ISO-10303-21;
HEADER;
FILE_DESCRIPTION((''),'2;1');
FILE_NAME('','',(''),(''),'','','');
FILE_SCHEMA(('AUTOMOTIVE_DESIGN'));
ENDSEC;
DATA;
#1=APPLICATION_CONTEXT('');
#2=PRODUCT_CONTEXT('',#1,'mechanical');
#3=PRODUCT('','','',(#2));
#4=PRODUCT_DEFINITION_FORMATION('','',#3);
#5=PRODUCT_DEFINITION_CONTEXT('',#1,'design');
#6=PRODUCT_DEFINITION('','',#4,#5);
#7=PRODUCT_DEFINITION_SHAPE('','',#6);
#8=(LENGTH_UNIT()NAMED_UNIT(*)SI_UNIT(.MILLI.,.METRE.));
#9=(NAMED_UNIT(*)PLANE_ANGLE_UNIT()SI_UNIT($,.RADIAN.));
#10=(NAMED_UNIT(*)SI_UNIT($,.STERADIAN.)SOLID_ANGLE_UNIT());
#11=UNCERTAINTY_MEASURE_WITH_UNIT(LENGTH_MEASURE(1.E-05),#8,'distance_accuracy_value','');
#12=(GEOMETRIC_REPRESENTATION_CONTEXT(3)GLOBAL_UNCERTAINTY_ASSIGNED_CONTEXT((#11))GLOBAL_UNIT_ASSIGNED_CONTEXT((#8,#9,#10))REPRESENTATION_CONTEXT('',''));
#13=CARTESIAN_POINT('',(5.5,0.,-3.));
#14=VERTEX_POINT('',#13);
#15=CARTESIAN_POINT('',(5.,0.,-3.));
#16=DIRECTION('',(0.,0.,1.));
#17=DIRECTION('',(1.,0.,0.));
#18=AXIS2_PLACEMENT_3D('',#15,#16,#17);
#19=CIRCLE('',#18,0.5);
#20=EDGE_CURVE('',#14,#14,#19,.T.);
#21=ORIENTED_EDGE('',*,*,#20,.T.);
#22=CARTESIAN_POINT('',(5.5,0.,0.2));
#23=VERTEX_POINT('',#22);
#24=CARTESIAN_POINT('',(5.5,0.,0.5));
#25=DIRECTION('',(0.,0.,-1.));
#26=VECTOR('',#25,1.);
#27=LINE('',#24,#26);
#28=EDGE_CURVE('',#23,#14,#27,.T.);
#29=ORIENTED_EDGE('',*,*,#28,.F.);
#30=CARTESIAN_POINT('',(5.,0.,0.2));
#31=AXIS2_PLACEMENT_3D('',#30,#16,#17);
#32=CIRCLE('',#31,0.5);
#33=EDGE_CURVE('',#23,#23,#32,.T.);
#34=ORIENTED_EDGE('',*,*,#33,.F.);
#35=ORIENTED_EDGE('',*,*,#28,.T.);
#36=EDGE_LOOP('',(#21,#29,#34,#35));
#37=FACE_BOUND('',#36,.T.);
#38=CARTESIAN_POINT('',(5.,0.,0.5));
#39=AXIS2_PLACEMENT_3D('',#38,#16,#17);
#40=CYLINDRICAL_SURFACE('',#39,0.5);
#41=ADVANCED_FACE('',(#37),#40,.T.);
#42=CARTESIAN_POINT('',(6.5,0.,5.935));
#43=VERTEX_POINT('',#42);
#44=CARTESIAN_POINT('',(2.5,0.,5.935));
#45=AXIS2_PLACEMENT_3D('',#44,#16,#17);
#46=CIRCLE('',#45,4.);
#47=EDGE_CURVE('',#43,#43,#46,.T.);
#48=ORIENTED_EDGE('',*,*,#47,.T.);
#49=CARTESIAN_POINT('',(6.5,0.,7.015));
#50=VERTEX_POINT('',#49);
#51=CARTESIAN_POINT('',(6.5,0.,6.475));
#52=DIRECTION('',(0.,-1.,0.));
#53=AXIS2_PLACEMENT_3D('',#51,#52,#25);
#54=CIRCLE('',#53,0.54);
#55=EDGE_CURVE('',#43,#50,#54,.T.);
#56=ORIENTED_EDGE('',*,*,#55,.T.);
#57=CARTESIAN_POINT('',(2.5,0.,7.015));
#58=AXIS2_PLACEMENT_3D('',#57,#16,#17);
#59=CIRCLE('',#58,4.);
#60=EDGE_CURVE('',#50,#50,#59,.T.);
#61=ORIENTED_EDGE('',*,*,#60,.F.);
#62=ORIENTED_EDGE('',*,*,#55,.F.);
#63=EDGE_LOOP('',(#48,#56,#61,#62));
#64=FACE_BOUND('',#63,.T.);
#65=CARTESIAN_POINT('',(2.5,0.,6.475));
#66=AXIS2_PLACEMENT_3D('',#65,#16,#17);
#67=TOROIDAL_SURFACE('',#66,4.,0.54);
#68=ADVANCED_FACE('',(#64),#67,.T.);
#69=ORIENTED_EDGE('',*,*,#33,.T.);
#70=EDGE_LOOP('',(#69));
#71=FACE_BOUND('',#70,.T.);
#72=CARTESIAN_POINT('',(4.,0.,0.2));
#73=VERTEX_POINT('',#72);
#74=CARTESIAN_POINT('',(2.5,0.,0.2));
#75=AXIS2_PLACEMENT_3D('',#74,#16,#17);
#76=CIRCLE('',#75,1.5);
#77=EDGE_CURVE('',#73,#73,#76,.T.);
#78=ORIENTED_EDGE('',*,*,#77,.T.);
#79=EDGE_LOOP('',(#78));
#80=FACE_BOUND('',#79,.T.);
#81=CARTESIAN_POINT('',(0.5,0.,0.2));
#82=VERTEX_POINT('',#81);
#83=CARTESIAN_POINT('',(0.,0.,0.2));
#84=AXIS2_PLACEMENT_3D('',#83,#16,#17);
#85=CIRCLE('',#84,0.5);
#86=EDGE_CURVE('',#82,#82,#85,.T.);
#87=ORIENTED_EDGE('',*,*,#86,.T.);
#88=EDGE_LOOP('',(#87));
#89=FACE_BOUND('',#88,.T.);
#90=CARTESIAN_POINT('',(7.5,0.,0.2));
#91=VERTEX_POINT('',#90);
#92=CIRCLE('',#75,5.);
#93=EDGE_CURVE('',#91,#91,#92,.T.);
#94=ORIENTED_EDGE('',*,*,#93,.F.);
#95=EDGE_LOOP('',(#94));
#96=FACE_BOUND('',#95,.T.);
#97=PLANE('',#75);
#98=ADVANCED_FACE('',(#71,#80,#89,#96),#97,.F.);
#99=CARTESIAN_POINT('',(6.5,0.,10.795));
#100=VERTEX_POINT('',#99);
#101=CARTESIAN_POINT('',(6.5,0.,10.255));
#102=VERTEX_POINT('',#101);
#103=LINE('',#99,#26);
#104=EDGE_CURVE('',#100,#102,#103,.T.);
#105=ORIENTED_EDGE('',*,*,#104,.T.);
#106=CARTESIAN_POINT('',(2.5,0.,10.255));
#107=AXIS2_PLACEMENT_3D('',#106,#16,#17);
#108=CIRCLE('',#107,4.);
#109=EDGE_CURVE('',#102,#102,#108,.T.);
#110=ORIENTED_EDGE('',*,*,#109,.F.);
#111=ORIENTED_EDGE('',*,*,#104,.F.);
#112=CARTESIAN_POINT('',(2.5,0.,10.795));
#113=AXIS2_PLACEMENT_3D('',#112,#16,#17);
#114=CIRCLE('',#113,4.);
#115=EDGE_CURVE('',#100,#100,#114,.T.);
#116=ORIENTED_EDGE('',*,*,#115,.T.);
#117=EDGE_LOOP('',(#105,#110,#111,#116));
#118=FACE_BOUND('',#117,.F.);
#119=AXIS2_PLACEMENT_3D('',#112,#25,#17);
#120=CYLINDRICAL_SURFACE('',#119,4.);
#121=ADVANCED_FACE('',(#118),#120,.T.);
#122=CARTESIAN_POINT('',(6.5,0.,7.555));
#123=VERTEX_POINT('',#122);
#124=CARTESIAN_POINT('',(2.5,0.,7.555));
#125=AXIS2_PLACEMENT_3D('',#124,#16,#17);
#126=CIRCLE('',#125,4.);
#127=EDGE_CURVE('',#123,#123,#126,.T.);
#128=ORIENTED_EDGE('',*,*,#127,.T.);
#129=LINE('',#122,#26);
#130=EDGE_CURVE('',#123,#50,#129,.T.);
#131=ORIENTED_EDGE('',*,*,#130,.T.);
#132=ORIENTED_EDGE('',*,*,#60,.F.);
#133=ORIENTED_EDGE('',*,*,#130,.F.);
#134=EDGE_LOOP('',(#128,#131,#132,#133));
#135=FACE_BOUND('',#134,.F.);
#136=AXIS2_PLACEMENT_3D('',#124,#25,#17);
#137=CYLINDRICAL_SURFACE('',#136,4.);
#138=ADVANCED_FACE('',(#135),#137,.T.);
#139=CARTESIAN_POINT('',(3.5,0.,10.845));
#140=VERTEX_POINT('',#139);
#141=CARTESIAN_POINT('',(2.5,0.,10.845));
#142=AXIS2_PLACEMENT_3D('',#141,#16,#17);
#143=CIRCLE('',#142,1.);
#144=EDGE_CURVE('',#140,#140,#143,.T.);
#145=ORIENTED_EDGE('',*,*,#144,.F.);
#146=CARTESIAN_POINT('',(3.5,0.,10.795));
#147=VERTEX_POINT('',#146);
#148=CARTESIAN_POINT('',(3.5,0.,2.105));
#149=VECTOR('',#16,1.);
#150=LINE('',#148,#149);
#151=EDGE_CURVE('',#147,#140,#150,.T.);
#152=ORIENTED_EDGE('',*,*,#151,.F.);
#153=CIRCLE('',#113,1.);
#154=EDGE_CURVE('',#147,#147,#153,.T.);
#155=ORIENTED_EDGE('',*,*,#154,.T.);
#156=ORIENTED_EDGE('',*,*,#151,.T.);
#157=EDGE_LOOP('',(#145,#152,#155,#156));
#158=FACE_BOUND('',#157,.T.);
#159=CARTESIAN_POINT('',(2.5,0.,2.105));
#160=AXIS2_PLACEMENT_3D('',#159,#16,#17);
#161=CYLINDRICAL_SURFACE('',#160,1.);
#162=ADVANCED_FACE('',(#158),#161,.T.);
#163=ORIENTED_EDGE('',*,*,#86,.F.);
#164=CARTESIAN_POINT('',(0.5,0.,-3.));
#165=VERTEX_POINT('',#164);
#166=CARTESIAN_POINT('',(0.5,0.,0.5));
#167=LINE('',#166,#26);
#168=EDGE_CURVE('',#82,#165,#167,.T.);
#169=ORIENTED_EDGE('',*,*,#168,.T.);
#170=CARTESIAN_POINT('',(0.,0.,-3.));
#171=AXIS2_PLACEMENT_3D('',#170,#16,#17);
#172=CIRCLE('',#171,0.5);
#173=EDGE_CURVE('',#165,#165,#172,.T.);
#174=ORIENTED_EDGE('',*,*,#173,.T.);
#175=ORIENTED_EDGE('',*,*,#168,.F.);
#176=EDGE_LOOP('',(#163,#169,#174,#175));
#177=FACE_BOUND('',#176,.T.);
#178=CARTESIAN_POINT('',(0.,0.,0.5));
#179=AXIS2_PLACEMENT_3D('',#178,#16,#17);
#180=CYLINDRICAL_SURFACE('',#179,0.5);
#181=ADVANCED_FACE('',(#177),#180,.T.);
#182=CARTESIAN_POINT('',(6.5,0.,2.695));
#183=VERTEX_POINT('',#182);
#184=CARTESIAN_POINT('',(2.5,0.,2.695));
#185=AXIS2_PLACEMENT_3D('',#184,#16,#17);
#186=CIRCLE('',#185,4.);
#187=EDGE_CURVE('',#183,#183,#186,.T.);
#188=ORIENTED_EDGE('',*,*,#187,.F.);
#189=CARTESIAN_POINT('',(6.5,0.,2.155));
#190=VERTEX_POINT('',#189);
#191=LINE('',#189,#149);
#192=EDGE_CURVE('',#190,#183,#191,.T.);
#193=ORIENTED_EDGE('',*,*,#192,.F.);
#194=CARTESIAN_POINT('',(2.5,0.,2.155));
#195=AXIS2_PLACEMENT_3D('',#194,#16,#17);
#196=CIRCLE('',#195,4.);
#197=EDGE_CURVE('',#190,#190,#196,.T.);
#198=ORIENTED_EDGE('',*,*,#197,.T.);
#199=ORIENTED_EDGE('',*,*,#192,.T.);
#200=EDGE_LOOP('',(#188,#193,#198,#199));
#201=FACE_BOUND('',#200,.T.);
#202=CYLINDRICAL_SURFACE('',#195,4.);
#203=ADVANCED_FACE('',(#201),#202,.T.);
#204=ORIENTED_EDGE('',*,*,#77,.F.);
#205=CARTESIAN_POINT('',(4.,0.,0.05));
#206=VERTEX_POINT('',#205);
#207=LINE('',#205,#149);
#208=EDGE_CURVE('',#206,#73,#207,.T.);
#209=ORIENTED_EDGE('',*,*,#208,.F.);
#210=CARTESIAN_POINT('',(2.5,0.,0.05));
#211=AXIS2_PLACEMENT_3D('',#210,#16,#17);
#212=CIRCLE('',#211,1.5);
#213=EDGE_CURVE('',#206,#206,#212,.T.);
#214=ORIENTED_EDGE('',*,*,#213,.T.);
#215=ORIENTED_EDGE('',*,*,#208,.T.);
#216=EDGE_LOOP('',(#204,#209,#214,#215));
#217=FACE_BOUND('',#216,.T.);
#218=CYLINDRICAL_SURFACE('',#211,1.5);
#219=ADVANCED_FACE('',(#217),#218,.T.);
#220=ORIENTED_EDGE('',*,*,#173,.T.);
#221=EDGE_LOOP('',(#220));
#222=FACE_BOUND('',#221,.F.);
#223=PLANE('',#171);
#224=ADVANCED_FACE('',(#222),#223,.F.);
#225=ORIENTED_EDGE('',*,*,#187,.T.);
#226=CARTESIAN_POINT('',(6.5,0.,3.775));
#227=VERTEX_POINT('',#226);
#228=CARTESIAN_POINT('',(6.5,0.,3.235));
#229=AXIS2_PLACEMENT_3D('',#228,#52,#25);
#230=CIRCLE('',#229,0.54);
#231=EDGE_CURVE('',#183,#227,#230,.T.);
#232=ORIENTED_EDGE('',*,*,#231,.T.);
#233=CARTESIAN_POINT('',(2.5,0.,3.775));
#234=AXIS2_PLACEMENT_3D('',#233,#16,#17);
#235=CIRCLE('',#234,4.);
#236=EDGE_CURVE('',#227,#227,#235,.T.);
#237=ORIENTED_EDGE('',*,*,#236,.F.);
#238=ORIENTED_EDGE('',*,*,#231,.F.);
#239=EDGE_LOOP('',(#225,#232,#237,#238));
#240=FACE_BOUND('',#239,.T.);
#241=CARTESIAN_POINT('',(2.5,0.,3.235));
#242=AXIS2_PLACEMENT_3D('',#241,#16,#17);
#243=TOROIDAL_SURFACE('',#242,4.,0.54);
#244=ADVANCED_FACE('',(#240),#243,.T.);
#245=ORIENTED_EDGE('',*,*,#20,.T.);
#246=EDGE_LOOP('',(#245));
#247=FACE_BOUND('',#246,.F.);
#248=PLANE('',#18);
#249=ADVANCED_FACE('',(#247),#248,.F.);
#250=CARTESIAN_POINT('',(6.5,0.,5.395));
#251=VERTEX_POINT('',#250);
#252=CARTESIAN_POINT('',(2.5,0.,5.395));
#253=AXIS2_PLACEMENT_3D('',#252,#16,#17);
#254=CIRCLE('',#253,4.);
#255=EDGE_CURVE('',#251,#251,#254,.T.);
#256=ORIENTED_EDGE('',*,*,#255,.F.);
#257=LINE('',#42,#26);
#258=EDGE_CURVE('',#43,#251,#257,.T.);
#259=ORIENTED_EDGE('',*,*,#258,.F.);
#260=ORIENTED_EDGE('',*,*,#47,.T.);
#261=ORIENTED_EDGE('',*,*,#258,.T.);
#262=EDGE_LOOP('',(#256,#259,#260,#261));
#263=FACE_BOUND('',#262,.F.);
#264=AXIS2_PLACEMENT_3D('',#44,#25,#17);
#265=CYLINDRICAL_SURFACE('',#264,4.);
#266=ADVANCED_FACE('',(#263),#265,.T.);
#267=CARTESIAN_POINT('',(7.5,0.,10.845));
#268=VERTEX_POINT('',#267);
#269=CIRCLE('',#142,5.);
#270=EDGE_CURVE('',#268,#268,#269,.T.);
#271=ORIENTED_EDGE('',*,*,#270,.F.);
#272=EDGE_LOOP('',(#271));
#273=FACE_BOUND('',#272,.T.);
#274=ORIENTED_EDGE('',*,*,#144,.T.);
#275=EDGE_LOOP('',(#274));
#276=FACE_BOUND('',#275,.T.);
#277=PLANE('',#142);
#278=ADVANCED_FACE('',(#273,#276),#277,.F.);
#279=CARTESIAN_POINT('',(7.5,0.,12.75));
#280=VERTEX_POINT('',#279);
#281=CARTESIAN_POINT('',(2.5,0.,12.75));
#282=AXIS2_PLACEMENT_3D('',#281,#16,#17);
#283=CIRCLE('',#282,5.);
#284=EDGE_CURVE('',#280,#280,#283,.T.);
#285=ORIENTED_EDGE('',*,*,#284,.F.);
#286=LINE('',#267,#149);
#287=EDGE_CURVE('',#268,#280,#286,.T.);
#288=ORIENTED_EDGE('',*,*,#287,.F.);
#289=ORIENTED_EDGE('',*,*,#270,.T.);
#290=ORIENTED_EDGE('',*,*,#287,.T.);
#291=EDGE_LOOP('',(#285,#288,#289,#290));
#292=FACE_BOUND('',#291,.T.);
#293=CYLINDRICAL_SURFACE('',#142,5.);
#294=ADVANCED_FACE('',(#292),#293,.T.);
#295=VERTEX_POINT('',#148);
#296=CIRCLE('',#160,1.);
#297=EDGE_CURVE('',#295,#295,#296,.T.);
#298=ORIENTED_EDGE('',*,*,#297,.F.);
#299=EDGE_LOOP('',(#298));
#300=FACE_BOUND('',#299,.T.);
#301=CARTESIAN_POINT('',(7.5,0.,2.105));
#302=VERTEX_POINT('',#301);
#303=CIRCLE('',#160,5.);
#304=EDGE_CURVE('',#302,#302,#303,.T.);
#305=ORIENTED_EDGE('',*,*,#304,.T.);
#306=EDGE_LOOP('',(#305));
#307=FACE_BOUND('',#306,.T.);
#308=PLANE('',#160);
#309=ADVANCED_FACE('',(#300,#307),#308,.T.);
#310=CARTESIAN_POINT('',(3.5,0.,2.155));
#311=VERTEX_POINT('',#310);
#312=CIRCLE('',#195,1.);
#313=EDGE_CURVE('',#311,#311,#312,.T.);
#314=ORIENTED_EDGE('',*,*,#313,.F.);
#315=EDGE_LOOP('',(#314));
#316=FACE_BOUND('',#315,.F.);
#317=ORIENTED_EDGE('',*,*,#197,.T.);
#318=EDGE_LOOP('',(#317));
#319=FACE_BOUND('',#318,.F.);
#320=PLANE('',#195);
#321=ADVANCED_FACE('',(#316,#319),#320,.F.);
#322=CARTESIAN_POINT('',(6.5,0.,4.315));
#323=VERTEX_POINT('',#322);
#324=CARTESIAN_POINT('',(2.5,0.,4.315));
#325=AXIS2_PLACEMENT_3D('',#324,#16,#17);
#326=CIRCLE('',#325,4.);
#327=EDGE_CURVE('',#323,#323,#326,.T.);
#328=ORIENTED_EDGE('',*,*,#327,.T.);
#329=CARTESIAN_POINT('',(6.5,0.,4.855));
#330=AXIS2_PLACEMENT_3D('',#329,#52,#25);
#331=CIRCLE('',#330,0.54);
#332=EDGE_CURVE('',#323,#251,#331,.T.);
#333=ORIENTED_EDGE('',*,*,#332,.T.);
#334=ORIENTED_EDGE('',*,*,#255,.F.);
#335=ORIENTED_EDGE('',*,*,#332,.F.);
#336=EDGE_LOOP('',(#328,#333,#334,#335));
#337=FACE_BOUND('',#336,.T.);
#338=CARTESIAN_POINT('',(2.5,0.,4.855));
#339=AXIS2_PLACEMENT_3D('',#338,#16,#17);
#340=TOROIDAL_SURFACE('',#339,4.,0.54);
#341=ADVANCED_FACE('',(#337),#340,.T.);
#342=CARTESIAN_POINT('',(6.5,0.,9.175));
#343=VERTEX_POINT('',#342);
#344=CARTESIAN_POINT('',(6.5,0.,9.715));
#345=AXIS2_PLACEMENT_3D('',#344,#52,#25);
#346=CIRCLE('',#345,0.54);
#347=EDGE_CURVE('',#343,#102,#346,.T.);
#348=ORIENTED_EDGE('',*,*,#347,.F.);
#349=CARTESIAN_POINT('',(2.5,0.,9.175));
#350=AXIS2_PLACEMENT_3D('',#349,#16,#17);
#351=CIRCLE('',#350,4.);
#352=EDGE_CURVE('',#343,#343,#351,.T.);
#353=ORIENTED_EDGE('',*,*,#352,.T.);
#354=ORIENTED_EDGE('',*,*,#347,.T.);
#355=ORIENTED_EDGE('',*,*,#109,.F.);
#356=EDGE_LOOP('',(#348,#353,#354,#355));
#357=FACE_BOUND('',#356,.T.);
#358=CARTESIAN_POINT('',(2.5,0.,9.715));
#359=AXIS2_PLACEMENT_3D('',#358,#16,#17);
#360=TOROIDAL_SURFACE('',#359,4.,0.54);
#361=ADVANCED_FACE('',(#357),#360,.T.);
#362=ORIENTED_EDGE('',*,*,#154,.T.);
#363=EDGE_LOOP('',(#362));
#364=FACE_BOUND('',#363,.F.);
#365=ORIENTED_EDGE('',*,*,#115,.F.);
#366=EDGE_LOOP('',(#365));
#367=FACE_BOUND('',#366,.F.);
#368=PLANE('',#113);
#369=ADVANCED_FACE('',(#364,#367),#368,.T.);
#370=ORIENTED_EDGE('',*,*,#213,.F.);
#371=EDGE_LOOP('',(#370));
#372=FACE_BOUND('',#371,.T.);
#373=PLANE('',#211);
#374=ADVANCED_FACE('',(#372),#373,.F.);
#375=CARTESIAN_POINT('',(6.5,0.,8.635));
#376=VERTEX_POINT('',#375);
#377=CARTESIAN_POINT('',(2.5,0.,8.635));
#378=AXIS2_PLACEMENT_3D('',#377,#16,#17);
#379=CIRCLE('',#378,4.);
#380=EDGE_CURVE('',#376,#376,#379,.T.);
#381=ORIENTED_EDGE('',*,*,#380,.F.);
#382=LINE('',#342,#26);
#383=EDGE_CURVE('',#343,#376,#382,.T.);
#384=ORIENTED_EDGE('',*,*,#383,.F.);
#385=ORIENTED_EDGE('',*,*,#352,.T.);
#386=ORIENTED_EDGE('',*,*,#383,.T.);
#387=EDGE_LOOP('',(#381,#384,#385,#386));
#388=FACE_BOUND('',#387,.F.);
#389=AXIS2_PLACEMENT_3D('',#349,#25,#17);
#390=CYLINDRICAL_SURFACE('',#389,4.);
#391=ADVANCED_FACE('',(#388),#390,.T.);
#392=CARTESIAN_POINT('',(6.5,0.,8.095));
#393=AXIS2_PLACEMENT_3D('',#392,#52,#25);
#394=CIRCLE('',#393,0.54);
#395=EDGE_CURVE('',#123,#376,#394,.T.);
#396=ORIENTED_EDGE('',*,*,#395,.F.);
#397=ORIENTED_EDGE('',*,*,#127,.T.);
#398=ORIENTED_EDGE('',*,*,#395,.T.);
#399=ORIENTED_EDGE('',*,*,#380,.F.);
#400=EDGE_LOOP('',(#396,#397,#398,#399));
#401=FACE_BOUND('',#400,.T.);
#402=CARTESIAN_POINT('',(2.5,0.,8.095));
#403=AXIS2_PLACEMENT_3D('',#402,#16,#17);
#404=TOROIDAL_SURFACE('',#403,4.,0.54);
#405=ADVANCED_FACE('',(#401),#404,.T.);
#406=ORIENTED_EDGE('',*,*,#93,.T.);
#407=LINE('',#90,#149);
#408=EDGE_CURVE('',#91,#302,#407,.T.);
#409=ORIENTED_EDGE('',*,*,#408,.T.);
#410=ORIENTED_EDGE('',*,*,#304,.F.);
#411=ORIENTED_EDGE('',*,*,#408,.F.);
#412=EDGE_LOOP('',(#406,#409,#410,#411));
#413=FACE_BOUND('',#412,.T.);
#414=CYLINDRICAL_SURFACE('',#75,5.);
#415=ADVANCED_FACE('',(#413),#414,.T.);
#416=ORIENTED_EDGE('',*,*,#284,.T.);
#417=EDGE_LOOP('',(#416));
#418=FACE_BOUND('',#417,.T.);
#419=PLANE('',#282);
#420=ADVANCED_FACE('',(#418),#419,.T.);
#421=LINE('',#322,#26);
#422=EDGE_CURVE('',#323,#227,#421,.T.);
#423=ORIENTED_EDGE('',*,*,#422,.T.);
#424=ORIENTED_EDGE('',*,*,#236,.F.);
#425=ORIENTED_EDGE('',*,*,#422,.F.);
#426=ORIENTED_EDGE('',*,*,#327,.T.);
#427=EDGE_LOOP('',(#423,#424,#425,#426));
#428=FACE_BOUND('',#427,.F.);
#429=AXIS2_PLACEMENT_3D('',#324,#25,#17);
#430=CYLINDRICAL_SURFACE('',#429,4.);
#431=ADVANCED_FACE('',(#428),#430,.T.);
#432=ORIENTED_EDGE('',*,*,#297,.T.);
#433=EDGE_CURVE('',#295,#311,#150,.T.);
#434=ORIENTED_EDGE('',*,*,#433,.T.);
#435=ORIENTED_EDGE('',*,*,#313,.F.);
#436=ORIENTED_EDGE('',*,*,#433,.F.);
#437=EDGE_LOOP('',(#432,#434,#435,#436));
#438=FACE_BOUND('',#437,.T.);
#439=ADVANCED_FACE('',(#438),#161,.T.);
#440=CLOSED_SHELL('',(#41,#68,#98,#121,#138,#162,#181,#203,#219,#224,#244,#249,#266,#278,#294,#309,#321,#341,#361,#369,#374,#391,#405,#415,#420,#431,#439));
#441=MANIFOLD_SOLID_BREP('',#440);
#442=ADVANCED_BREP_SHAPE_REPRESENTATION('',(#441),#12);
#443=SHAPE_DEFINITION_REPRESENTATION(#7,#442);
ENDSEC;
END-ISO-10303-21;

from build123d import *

# Parameters (mm, degrees)
SKETCH001_R  = 0.5
PAD001_DEPTH = 3.5


with BuildPart() as revolution:
    # Sketch → Revolution (revolve)
    with BuildSketch(Plane(origin=(2.5, 0, 0), x_dir=(1, 0, 0), z_dir=(0, -1, 0))):
        Polygon((0, 0.05), (1.5, 0.05), (1.5, 0.2), (5, 0.2), (5, 2.105), (1, 2.105), (1, 10.845), (5, 10.845), (5, 12.75), (0, 12.75), align=None)
    revolve(axis=Axis((2.5, 0, 0), (0, 0, 1)))


with BuildPart() as pad001:
    # Sketch001 → Pad001 (new body)
    with BuildSketch(Plane.XY.offset(0.5)):
        Circle(SKETCH001_R)
        with Locations((5, 0)):
            Circle(SKETCH001_R)
    extrude(amount=-PAD001_DEPTH)


with BuildPart() as l_radial_d10_0mm_p5_00mm_fastron_07m:
    # Sketch002 → Revolution001 (revolve)
    with BuildSketch(Plane(origin=(2.5, 0, 0), x_dir=(1, 0, 0), z_dir=(0, -1, 0))):
        with BuildLine():
            Line((4, 2.155), (1, 2.155))
            Line((1, 2.155), (1, 10.795))
            Line((1, 10.795), (4, 10.795))
            Line((4, 10.795), (4, 10.255))
            ThreePointArc((4, 9.175), (4.54, 9.715), (4, 10.255))
            Line((4, 9.175), (4, 8.635))
            ThreePointArc((4, 7.555), (4.54, 8.095), (4, 8.635))
            Line((4, 7.555), (4, 7.015))
            ThreePointArc((4, 5.935), (4.54, 6.475), (4, 7.015))
            Line((4, 5.935), (4, 5.395))
            ThreePointArc((4, 4.315), (4.54, 4.855), (4, 5.395))
            Line((4, 4.315), (4, 3.775))
            ThreePointArc((4, 2.695), (4.54, 3.235), (4, 3.775))
            Line((4, 2.155), (4, 2.695))
        make_face()
    revolve(axis=Axis((2.5, 0, 0), (0, 0, 1)))

    # Revolution001_mp_cp: union Revolution, Pad001
    add(revolution.part)
    add(pad001.part)


solid = l_radial_d10_0mm_p5_00mm_fastron_07m.part
